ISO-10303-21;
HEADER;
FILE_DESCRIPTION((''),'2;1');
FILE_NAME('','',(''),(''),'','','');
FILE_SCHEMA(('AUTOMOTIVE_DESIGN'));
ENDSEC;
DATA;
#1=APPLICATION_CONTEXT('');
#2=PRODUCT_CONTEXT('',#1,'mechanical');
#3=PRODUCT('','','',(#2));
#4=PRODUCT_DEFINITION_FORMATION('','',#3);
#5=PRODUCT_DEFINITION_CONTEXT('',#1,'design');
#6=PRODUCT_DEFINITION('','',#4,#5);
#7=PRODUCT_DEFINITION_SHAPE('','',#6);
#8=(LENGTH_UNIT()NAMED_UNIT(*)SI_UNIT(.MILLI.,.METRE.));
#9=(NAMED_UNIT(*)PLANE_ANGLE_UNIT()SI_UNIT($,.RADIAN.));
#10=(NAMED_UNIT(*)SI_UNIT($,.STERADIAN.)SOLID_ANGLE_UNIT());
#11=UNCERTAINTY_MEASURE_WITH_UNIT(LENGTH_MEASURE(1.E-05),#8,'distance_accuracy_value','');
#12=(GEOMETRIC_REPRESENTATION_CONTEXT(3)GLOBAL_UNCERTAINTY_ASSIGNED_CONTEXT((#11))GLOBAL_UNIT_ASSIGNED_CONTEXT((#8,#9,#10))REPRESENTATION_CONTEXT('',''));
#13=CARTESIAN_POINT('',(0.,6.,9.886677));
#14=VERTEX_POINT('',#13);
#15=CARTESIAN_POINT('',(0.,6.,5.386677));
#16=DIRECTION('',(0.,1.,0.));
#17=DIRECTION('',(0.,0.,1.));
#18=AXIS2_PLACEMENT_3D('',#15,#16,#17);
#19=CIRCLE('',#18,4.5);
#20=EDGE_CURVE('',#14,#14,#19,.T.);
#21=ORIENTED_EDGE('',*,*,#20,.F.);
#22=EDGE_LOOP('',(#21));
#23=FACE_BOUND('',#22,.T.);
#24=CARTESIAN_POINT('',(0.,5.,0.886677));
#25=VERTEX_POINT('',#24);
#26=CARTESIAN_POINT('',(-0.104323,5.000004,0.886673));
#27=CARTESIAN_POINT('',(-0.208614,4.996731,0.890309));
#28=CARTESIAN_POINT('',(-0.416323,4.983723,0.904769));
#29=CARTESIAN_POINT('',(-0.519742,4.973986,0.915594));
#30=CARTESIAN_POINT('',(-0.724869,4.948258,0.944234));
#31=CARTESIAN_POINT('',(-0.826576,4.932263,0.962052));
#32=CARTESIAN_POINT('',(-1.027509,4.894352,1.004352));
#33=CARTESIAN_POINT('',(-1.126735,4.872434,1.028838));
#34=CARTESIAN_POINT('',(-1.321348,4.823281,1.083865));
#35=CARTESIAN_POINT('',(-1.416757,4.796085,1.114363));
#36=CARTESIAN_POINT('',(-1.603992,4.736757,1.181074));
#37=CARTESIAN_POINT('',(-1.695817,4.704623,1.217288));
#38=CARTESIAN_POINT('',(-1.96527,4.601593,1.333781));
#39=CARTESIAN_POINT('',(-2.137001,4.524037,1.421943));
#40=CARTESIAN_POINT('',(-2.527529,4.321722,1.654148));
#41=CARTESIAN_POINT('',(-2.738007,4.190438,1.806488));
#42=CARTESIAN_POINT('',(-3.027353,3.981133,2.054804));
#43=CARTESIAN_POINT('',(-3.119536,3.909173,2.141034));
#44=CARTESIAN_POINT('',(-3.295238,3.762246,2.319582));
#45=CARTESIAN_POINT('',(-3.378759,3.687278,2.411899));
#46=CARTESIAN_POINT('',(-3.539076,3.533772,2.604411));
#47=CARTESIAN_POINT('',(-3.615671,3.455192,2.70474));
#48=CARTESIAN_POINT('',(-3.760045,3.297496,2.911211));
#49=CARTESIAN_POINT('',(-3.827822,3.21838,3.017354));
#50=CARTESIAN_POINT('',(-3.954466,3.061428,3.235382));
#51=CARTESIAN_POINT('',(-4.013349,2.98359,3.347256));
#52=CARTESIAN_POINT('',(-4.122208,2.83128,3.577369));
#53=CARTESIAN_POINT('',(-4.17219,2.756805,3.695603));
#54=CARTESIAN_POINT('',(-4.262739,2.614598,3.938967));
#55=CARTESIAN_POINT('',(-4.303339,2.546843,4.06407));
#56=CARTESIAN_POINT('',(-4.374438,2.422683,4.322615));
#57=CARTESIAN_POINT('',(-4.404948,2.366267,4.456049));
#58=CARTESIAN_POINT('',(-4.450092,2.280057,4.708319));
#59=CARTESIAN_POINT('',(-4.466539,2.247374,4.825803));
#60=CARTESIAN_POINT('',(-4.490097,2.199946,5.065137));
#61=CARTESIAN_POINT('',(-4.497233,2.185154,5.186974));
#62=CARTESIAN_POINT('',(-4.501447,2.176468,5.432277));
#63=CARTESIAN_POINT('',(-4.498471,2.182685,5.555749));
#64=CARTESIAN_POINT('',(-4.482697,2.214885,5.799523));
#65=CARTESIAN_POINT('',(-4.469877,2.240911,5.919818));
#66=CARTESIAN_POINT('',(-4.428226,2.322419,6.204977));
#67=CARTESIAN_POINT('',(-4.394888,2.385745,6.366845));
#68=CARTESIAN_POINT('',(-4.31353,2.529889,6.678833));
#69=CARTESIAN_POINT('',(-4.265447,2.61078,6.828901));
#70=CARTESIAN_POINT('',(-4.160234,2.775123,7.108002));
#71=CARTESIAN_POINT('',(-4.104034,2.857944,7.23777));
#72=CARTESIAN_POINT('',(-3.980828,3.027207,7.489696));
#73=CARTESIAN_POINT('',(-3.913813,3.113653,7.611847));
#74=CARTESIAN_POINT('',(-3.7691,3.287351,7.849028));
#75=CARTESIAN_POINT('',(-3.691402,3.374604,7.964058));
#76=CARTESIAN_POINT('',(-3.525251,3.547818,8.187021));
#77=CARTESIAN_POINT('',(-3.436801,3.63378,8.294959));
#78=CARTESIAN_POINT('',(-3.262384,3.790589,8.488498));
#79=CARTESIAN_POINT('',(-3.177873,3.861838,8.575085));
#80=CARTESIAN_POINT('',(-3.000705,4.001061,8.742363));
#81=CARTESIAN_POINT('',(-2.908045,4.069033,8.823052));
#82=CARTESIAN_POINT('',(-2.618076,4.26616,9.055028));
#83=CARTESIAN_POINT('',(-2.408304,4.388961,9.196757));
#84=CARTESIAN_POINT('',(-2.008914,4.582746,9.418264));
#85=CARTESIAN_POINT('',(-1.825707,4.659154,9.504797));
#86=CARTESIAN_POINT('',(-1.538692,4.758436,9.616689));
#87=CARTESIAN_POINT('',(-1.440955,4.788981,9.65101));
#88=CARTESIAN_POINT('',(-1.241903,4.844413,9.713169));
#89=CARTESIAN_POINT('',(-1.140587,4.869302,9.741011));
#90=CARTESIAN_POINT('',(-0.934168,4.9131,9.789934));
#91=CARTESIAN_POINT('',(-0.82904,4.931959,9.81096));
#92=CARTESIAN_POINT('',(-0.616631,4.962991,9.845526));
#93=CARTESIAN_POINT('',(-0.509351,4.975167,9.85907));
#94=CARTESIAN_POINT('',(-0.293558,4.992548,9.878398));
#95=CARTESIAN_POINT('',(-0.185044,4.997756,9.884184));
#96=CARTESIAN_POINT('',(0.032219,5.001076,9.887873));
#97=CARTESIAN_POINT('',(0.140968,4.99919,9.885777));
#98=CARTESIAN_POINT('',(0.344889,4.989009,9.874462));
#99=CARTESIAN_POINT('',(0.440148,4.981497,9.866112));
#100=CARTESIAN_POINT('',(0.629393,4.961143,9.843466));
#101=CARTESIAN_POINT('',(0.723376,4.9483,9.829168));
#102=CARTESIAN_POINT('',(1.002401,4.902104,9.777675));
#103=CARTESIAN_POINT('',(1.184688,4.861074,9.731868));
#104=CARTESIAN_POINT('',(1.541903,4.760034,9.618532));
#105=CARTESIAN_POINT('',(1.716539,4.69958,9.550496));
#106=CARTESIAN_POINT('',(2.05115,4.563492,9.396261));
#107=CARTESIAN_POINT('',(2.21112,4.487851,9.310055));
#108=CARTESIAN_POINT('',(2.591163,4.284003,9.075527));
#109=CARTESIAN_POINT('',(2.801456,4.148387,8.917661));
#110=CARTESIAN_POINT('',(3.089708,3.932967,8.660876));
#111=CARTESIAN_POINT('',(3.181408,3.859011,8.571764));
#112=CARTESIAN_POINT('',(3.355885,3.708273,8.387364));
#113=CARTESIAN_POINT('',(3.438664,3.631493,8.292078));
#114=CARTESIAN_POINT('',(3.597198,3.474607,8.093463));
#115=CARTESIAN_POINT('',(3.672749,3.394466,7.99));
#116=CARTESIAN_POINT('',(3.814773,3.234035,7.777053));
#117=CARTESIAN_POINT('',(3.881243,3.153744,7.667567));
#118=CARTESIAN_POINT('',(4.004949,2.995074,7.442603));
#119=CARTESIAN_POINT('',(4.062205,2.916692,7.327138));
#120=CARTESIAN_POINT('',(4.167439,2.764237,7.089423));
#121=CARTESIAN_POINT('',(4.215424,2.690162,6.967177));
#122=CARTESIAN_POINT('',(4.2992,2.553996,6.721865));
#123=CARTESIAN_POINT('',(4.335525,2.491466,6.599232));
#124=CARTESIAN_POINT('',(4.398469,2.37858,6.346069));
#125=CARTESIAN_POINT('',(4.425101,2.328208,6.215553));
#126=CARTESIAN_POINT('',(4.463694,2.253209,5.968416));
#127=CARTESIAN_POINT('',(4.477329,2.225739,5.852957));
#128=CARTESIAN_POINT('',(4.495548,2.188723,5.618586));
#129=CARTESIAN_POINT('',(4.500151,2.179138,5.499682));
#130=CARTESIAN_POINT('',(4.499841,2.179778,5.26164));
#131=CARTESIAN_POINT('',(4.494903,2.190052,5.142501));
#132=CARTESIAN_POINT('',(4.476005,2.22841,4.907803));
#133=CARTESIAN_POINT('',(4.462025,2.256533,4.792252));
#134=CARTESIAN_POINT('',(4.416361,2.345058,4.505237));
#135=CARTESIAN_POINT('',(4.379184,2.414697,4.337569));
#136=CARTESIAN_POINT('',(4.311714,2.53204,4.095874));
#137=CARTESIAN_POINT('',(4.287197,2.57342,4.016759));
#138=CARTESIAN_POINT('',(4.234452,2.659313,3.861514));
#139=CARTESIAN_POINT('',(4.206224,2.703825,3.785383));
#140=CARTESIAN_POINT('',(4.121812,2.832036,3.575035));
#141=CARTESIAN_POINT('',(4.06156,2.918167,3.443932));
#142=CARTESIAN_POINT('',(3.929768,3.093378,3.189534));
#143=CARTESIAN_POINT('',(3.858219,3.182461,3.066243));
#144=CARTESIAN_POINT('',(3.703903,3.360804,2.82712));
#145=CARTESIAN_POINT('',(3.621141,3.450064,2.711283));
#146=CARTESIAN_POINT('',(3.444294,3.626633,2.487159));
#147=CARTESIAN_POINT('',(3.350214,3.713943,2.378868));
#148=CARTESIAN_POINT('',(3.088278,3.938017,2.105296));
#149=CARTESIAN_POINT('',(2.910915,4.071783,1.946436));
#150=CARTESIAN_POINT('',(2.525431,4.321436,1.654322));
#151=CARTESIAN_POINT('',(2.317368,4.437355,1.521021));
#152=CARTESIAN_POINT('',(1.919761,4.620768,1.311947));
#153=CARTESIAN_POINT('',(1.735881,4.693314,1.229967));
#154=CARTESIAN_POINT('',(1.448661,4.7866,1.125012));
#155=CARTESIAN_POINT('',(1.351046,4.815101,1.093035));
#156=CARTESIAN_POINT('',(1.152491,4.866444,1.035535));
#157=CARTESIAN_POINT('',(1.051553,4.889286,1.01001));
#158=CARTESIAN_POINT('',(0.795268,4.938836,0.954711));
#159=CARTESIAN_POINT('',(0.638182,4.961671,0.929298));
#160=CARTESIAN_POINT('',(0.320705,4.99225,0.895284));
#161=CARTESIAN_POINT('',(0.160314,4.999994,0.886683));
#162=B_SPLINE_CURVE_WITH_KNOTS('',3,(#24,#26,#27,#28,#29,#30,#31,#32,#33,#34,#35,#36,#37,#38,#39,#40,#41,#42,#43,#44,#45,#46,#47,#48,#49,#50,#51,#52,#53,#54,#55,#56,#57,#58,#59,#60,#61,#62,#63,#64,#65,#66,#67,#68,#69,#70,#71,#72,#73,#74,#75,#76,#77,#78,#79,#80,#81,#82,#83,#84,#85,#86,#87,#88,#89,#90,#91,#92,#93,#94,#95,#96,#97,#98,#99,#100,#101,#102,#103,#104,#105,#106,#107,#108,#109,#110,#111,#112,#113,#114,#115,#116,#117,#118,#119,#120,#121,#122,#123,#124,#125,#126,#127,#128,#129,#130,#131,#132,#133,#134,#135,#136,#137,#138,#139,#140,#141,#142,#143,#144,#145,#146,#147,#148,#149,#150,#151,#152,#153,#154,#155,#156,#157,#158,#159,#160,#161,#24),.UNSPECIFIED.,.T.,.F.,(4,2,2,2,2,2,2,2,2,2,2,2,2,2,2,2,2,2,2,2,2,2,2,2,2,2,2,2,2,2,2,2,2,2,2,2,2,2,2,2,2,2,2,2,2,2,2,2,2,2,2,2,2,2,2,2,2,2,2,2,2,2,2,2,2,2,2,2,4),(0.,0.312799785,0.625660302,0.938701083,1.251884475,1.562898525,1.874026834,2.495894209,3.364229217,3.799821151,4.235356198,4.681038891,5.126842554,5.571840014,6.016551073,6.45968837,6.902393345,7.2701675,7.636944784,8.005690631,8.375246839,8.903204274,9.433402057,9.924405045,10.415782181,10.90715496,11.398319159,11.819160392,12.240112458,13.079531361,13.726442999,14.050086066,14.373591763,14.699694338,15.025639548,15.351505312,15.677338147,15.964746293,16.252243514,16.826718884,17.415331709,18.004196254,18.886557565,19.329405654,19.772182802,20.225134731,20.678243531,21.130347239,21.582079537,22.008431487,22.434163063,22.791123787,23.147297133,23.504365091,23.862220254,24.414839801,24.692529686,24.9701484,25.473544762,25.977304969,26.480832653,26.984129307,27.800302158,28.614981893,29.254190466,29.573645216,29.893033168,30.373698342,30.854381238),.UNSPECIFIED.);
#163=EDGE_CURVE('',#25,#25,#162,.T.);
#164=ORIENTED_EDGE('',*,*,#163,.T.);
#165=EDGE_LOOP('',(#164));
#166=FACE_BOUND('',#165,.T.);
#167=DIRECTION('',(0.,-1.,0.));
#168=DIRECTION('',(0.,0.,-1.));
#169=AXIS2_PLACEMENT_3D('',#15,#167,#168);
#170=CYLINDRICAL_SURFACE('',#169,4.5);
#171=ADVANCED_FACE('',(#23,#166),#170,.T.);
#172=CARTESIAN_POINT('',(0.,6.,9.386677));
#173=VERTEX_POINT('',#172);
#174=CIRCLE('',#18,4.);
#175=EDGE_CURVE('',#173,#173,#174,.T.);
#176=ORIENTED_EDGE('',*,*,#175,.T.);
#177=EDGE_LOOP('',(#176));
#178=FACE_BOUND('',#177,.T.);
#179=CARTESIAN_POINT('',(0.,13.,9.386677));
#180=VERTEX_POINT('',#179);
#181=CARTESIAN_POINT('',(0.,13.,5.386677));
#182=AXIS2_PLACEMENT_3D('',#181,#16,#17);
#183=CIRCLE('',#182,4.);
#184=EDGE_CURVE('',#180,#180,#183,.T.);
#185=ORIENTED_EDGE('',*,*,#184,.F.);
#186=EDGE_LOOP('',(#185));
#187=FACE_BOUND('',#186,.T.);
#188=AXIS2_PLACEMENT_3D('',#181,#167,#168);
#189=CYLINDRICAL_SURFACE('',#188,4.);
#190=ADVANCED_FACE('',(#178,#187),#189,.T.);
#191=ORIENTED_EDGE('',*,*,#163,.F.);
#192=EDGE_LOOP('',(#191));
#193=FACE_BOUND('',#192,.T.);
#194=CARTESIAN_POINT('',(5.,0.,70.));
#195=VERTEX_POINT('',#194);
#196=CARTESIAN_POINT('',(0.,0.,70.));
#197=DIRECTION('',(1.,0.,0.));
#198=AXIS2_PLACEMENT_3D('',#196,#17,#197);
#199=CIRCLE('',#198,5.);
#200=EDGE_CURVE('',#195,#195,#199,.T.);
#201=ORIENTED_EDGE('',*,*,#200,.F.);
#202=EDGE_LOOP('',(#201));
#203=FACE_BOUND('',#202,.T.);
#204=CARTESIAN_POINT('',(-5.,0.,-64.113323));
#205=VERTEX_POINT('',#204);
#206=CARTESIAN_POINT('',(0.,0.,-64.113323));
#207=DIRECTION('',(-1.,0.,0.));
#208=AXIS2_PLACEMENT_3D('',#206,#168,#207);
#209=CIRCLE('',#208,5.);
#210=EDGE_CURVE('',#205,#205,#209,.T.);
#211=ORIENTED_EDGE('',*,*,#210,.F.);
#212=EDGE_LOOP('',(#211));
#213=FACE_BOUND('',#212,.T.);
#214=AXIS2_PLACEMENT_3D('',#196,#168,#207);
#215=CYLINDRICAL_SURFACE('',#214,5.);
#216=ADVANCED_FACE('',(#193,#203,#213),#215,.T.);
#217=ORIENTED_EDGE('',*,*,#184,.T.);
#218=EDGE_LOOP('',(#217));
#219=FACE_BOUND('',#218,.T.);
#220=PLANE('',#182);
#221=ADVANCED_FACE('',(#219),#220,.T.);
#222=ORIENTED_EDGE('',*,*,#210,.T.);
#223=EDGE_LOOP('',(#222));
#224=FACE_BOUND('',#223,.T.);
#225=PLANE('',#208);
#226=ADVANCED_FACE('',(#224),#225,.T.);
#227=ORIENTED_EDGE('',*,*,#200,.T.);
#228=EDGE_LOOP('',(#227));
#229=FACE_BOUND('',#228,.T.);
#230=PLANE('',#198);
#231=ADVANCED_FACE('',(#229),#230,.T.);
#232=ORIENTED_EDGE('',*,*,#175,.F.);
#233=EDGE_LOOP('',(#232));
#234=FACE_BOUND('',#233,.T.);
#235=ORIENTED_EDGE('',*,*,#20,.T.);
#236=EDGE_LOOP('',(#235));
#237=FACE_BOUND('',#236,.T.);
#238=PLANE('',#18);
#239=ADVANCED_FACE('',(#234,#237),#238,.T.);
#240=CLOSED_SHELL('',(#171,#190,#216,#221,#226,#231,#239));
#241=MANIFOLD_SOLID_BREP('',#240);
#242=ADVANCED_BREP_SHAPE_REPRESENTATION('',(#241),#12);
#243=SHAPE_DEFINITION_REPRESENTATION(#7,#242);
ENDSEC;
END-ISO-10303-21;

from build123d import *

# Parameters (mm, degrees)
SKETCH1_R           = 5
BOSS_EXTRUDE1_DEPTH = 70
SKETCH2_R           = 4.5
BOSS_EXTRUDE2_DEPTH = 6
SKETCH3_R           = 5
CUT_EXTRUDE2_DEPTH  = 0.88667719
SKETCH4_R           = 4
BOSS_EXTRUDE3_DEPTH = 7
BOSS_EXTRUDE4_START = 65
SKETCH5_R           = 5
BOSS_EXTRUDE4_DEPTH = 65


with BuildPart() as part:
    # Sketch1 → Boss-Extrude1 (new body)
    with BuildSketch(Plane.XY):
        Circle(SKETCH1_R)
    extrude(amount=BOSS_EXTRUDE1_DEPTH)

    # Sketch2 → Boss-Extrude2 (add)
    with BuildSketch(Plane(origin=(0, 0, 0), x_dir=(1, 0, 0), z_dir=(0, 1, 0))):
        with Locations(Location((0, -5.386677191, 0), (0, 0, 90))):
            Circle(SKETCH2_R)
    extrude(amount=BOSS_EXTRUDE2_DEPTH)

    # Sketch3 → Cut-Extrude2 (cut)
    with BuildSketch(Plane(origin=(0, 0, 0), x_dir=(-1, 0, 0), z_dir=(0, 0, -1))):
        with Locations(Location((0, 0, 0), (0, 0, 90))):
            Circle(SKETCH3_R)
    extrude(amount=-CUT_EXTRUDE2_DEPTH, mode=Mode.SUBTRACT)

    # Sketch4 → Boss-Extrude3 (add)
    with BuildSketch(Plane(origin=(0, 6, 0), x_dir=(1, 0, 0), z_dir=(0, 1, 0))):
        with Locations(Location((0, -5.386677191, 0), (0, 0, 270))):
            Circle(SKETCH4_R)
    extrude(amount=BOSS_EXTRUDE3_DEPTH)

    # Sketch5 → Boss-Extrude4 (add)
    with BuildSketch(Plane(origin=(0, 0, 0.88667719), x_dir=(-1, 0, 0), z_dir=(0, 0, -1)).offset(BOSS_EXTRUDE4_START)):
        Circle(SKETCH5_R)
    extrude(amount=-BOSS_EXTRUDE4_DEPTH)


solid = part.part
